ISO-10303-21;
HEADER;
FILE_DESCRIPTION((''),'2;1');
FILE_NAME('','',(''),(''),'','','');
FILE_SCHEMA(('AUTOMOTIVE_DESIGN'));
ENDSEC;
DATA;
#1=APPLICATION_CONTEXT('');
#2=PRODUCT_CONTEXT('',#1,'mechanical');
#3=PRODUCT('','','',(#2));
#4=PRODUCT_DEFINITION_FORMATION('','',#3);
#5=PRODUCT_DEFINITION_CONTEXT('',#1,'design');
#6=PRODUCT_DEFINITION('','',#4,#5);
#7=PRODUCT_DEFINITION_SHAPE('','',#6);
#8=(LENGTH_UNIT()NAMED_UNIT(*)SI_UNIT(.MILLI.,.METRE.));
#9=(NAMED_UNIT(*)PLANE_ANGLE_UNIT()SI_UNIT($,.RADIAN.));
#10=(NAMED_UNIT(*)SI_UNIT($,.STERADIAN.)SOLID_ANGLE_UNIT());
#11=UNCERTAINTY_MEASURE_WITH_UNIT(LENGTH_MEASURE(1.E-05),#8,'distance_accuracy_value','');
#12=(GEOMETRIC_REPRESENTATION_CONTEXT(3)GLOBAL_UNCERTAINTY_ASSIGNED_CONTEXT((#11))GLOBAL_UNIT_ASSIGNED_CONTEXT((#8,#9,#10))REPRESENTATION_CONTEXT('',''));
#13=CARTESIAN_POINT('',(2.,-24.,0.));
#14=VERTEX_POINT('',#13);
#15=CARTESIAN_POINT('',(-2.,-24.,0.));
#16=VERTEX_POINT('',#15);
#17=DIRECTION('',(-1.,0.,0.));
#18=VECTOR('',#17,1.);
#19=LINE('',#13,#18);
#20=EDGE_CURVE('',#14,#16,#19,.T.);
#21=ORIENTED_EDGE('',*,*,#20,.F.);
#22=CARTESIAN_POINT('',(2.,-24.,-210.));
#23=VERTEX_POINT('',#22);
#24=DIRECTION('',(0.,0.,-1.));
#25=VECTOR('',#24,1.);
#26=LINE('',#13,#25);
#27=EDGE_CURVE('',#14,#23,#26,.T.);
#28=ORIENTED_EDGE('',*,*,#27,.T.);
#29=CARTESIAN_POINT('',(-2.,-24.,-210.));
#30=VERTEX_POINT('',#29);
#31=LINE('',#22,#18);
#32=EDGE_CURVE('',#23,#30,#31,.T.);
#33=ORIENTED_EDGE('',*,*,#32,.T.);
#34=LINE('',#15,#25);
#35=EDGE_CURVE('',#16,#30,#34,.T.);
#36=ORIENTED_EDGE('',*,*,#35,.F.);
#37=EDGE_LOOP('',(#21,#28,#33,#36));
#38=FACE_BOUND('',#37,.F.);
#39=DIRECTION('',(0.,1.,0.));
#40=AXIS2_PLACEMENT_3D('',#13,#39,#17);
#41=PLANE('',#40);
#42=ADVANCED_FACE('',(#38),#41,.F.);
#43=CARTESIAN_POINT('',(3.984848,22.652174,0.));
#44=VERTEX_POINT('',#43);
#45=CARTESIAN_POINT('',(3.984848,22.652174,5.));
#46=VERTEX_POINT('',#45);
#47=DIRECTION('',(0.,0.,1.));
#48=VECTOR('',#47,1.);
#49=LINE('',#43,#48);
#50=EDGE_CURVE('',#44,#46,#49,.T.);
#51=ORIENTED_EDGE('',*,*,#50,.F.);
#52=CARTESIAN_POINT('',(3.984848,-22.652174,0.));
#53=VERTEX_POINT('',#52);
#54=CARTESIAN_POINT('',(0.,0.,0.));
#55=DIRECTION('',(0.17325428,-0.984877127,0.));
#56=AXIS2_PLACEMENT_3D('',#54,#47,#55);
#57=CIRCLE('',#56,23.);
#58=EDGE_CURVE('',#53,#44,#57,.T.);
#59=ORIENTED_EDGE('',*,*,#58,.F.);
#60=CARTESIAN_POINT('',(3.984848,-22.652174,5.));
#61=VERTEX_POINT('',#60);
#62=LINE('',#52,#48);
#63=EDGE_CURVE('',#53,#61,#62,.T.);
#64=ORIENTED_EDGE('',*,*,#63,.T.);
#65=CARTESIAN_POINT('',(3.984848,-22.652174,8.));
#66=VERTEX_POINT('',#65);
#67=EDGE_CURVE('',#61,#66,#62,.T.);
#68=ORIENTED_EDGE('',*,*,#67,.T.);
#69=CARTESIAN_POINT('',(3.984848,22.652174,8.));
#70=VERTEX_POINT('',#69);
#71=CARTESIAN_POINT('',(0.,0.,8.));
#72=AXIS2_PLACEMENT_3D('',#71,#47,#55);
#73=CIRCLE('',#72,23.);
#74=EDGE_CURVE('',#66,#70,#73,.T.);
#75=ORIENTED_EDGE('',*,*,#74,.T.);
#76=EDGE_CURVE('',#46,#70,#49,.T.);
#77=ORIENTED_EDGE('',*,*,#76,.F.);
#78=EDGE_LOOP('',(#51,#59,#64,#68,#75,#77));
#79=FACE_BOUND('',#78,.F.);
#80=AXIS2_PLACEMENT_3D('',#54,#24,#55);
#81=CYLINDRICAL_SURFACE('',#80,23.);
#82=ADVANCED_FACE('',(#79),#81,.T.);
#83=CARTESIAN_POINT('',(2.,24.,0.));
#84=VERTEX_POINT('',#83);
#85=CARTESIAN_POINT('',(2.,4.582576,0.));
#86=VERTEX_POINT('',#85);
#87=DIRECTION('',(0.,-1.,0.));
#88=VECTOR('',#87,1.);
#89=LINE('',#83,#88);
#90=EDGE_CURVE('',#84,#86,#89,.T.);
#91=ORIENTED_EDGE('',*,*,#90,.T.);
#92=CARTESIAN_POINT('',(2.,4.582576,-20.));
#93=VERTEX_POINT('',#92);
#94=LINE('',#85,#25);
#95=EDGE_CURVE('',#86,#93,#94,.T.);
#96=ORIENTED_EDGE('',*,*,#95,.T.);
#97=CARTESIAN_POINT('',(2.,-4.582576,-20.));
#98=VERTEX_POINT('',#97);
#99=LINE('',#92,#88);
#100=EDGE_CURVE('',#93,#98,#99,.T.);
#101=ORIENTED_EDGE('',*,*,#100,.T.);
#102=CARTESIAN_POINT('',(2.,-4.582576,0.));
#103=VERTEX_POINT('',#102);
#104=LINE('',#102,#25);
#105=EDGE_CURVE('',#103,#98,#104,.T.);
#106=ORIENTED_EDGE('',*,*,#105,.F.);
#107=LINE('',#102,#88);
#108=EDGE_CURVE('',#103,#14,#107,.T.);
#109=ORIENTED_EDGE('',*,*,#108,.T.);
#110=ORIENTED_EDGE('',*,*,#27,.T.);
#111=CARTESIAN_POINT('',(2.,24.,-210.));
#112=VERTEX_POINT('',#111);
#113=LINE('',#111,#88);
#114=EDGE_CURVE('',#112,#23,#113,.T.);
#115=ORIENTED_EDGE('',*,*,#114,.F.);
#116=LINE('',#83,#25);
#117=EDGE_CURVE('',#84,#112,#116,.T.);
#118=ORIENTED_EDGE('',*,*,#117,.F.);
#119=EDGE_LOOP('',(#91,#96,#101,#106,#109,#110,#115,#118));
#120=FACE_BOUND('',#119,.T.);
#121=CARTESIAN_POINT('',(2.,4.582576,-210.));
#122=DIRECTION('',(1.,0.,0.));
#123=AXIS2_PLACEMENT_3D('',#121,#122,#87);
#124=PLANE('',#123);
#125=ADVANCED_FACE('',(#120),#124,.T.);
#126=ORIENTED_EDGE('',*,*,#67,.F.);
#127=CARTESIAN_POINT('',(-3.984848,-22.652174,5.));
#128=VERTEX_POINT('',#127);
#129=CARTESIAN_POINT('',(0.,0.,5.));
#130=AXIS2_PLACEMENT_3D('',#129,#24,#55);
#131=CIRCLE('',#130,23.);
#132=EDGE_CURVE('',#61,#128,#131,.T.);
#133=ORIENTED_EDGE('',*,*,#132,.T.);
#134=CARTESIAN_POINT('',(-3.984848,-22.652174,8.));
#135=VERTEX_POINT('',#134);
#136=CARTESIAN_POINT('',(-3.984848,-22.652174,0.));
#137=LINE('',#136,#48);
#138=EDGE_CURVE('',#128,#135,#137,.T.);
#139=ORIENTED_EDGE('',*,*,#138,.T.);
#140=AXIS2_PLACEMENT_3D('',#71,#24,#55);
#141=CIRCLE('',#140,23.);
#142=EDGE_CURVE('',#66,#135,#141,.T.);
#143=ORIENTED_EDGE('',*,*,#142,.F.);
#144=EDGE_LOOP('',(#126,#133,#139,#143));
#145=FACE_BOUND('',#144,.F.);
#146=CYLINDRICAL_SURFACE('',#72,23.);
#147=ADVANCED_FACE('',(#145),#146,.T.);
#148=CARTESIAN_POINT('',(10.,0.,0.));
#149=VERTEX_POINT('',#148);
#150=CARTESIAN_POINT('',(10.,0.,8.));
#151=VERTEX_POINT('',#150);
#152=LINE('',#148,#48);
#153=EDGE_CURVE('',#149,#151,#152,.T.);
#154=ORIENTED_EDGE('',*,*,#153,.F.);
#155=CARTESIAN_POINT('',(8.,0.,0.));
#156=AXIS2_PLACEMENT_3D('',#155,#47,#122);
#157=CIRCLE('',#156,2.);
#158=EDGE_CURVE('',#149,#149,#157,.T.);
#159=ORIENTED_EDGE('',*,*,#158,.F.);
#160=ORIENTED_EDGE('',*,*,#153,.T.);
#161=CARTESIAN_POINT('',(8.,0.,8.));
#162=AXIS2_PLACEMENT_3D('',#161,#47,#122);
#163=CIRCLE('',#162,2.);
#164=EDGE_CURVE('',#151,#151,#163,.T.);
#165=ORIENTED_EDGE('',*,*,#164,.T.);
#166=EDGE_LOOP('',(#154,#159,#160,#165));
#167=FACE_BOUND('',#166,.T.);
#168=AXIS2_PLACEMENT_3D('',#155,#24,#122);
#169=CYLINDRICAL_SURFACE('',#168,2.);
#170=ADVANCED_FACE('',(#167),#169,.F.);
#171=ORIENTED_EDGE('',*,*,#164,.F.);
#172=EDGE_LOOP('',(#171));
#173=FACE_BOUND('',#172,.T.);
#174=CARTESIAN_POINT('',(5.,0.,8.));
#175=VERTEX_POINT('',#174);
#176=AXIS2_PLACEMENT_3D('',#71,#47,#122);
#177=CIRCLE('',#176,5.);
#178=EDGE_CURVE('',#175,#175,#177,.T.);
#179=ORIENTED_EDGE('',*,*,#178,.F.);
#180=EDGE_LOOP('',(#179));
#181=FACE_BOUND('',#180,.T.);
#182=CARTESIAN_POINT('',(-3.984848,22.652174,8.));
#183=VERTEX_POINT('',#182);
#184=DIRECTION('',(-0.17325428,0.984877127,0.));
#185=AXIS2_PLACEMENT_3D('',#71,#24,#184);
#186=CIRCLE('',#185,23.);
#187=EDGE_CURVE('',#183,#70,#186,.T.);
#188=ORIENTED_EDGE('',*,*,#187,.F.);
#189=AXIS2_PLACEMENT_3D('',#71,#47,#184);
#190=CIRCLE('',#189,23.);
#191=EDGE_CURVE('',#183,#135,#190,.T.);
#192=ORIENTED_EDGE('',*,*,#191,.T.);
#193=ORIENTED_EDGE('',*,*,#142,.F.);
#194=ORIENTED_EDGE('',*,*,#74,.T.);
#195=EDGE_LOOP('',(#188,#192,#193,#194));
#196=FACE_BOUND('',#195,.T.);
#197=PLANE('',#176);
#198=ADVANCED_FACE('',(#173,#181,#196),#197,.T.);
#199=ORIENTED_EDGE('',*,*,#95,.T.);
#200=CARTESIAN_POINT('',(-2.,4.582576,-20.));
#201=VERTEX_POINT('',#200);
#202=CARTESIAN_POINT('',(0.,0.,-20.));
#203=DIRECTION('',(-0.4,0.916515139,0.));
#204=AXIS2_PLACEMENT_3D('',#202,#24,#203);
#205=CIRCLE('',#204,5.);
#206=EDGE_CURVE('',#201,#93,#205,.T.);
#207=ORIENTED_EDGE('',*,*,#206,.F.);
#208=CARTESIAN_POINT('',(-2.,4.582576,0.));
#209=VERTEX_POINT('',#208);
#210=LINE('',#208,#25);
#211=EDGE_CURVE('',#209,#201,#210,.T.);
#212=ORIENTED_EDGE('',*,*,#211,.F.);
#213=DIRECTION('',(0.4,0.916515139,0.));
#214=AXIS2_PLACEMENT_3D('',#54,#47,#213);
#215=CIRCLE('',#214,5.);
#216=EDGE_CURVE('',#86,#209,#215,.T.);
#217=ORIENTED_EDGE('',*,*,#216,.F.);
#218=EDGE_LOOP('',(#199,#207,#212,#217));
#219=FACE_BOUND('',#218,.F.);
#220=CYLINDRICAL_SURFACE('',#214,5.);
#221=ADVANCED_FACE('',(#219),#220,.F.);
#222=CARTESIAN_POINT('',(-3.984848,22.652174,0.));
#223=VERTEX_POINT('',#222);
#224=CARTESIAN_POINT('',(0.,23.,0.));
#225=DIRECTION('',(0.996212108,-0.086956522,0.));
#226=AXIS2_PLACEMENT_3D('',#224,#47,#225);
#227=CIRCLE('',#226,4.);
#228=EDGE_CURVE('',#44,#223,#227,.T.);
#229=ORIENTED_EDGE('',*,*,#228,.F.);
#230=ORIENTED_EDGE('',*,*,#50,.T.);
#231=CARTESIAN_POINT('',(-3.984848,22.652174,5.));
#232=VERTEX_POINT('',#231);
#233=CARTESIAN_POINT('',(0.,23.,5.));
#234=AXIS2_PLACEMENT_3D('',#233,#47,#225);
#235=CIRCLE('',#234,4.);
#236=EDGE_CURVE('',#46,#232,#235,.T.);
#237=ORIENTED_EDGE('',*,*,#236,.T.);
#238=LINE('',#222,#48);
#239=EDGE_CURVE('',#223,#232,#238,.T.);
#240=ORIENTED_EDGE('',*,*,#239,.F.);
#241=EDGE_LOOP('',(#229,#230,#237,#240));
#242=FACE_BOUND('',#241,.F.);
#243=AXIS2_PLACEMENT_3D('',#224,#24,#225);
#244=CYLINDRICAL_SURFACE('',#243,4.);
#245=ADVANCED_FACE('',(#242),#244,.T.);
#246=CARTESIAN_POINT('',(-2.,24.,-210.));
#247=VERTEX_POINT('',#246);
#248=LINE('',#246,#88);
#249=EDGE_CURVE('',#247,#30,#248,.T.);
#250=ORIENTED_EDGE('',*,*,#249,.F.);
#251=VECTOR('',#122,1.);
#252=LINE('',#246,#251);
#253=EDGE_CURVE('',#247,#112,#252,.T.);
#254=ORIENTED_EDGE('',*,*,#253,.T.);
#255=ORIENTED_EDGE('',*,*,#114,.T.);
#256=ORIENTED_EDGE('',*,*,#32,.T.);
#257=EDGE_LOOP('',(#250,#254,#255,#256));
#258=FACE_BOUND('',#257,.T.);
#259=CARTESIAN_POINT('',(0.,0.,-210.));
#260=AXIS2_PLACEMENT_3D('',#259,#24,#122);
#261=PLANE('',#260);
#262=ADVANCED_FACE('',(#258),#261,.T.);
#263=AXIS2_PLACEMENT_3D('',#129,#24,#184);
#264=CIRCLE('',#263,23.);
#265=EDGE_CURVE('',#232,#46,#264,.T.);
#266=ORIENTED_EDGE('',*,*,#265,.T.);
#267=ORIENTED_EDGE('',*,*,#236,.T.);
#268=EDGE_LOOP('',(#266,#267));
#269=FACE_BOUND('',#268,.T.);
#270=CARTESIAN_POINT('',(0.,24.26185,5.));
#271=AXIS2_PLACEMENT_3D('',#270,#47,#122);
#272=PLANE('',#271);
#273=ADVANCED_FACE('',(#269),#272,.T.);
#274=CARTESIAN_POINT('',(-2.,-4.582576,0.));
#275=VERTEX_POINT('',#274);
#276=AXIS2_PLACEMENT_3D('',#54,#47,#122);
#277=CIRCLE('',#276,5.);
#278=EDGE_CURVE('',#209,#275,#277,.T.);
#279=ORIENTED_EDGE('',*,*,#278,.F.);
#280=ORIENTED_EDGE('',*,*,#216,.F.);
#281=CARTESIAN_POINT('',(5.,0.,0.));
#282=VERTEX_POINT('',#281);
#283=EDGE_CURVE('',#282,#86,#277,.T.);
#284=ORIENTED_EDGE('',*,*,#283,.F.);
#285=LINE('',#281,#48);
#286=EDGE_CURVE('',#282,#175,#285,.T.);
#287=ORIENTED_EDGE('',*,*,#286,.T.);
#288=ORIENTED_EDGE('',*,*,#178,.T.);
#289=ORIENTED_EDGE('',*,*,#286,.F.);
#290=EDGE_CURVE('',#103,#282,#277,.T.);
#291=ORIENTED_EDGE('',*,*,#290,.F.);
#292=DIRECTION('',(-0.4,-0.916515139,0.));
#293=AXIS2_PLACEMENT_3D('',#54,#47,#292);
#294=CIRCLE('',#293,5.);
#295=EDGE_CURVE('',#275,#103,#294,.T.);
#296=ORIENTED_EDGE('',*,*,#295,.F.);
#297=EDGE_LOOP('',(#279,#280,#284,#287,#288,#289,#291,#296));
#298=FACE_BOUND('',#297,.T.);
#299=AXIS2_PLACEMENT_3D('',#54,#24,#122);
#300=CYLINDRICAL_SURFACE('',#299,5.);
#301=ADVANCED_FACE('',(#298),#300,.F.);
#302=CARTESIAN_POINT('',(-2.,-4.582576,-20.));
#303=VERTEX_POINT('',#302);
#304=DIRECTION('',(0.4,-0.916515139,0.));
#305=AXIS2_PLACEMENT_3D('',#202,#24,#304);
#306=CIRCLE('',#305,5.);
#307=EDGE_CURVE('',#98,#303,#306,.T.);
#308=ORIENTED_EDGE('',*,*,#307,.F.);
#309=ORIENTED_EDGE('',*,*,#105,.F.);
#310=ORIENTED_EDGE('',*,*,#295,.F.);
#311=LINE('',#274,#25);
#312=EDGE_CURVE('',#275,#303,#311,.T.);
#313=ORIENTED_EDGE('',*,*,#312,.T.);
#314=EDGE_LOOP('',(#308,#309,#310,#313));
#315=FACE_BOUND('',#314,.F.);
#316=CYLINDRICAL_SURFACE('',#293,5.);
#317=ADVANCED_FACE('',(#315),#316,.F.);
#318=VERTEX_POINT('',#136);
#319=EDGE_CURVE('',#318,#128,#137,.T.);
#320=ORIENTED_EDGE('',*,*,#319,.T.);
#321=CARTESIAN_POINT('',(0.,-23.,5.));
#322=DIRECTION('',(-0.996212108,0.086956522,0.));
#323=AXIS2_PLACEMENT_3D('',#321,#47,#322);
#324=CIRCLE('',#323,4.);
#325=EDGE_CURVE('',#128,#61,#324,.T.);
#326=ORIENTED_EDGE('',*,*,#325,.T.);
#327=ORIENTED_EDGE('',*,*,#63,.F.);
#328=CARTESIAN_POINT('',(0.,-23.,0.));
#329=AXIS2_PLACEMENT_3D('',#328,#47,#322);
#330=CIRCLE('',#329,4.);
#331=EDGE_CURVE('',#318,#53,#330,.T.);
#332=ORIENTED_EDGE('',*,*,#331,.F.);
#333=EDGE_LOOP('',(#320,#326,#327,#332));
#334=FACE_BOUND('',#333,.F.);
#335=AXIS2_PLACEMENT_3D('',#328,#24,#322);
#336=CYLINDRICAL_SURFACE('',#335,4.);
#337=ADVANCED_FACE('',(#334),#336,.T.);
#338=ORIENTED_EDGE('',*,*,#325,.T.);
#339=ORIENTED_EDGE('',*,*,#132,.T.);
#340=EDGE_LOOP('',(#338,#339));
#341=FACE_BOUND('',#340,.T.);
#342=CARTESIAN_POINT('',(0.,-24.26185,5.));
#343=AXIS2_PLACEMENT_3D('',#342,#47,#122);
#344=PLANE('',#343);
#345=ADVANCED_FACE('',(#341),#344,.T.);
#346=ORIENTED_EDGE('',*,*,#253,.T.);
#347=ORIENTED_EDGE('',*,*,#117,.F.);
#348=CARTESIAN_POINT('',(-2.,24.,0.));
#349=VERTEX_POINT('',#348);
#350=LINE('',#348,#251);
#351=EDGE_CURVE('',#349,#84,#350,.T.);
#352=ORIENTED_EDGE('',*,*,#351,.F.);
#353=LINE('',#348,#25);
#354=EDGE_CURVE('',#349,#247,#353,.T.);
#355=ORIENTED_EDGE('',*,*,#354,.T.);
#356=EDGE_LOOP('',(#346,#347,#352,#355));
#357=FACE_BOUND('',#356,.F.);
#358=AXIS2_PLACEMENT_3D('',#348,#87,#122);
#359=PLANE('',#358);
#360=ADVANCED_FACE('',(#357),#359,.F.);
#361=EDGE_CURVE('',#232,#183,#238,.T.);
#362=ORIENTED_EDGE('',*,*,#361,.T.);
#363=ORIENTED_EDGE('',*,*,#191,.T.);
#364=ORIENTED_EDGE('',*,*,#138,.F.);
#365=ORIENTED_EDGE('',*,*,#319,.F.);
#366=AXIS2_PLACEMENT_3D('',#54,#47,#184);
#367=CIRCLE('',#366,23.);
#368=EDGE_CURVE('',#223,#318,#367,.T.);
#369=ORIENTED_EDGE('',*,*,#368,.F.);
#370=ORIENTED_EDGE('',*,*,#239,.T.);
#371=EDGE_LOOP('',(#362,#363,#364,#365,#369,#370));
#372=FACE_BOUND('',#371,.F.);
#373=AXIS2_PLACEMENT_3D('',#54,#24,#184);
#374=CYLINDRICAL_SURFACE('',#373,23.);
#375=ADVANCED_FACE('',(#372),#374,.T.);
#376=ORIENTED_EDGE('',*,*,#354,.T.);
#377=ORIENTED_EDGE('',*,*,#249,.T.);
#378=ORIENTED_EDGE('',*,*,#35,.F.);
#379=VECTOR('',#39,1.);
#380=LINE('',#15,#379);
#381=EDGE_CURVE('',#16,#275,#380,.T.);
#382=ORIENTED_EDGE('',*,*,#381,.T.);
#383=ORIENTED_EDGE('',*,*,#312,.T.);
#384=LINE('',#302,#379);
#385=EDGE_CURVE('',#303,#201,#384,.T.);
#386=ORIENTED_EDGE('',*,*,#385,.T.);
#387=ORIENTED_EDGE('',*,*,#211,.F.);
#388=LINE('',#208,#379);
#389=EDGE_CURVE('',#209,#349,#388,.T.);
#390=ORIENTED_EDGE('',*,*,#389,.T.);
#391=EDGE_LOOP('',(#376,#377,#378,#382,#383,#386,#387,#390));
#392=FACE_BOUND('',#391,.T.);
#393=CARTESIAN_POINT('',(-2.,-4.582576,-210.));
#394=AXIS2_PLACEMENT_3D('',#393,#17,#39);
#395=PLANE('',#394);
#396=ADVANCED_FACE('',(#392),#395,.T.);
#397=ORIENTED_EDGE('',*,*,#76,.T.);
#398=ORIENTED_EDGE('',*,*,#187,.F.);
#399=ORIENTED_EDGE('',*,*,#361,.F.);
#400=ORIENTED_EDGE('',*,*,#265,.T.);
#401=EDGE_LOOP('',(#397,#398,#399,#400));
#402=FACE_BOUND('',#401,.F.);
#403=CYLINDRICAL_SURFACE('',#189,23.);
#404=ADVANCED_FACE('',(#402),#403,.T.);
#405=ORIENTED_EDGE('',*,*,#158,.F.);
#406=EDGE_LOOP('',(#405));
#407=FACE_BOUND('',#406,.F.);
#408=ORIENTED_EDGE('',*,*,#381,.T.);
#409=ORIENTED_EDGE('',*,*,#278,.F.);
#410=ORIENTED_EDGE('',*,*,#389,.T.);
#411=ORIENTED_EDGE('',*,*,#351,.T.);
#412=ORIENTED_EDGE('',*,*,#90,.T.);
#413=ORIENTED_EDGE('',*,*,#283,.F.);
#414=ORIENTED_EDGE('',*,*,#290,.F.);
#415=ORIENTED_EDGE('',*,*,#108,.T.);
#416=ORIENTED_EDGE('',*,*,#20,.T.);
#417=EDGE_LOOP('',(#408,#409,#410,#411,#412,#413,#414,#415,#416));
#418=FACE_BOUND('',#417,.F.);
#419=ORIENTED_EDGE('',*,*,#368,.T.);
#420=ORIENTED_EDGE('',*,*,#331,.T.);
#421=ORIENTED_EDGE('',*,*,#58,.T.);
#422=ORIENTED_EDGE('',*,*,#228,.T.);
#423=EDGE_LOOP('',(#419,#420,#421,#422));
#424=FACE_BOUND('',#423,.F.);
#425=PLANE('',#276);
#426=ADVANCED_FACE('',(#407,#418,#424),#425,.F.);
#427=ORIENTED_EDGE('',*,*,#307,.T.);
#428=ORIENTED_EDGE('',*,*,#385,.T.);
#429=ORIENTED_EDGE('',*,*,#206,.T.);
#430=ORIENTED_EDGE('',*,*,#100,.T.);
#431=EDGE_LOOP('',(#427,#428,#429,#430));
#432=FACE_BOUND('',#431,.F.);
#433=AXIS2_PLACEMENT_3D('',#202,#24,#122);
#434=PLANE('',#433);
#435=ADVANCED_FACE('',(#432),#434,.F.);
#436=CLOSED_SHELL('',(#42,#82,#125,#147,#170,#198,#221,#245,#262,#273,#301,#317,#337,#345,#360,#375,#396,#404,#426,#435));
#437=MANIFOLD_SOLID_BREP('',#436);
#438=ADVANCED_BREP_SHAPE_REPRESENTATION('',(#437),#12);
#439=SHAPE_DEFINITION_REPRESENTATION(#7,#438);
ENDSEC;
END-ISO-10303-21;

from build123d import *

# Parameters (mm, degrees)
F0_R     = 5
F0_R_2   = 2
F1_DEPTH = 8
F3_DEPTH = 3
F5_DEPTH = 210
F7_DEPTH = 190


with BuildPart() as f1:
    # F0 (on Top) → F1 (new body)
    with BuildSketch(Plane.XY):
        with BuildLine():
            ThreePointArc((3.9848484304, 22.652173913), (0, 27), (-3.9848484304, 22.652173913))
            ThreePointArc((-3.9848484304, 22.652173913), (-23, 0), (-3.9848484304, -22.652173913))
            ThreePointArc((-3.9848484304, -22.652173913), (0, -27), (3.9848484304, -22.652173913))
            ThreePointArc((3.9848484304, -22.652173913), (23, 0), (3.9848484304, 22.652173913))
        make_face()
        Circle(F0_R, mode=Mode.SUBTRACT)
        with Locations((8, 0)):
            Circle(F0_R_2, mode=Mode.SUBTRACT)
    extrude(amount=F1_DEPTH)

    # F2 (on face) → F3 (cut)
    with BuildSketch(Plane.XY.offset(8)):
        with BuildLine():
            ThreePointArc((-3.9848484304, 22.652173913), (0, 23), (3.9848484304, 22.652173913))
            ThreePointArc((3.9848484304, 22.652173913), (0, 27), (-3.9848484304, 22.652173913))
        make_face()
        with BuildLine():
            ThreePointArc((-3.9848484304, -22.652173913), (0, -27), (3.9848484304, -22.652173913))
            ThreePointArc((3.9848484304, -22.652173913), (0, -23), (-3.9848484304, -22.652173913))
        make_face()
    extrude(amount=-F3_DEPTH, mode=Mode.SUBTRACT)

    # F4 (on face) → F5 (join)
    with BuildSketch(Plane(origin=(0, 0, 0), x_dir=(1, 0, 0), z_dir=(0, 0, -1))):
        with BuildLine():
            Line((-2, -4.582575695), (-2, -24))
            Line((-2, -24), (2, -24))
            Line((2, -24), (2, -4.582575695))
            ThreePointArc((2, -4.582575695), (0, -5), (-2, -4.582575695))
        make_face()
        with BuildLine():
            Line((-2, 24), (-2, 4.582575695))
            ThreePointArc((-2, 4.582575695), (0, 5), (2, 4.582575695))
            Line((2, 4.582575695), (2, 24))
            Line((2, 24), (-2, 24))
        make_face()
    extrude(amount=F5_DEPTH)

    # F6 (on face) → F7 (join)
    with BuildSketch(Plane(origin=(0, 0, -210), x_dir=(1, 0, 0), z_dir=(0, 0, -1))):
        with BuildLine():
            ThreePointArc((2, 4.582575695), (0, 5), (-2, 4.582575695))
            Line((-2, 4.582575695), (-2, -4.582575695))
            ThreePointArc((-2, -4.582575695), (0, -5), (2, -4.582575695))
            Line((2, -4.582575695), (2, 4.582575695))
        make_face()
    extrude(amount=-F7_DEPTH)


solid = f1.part
